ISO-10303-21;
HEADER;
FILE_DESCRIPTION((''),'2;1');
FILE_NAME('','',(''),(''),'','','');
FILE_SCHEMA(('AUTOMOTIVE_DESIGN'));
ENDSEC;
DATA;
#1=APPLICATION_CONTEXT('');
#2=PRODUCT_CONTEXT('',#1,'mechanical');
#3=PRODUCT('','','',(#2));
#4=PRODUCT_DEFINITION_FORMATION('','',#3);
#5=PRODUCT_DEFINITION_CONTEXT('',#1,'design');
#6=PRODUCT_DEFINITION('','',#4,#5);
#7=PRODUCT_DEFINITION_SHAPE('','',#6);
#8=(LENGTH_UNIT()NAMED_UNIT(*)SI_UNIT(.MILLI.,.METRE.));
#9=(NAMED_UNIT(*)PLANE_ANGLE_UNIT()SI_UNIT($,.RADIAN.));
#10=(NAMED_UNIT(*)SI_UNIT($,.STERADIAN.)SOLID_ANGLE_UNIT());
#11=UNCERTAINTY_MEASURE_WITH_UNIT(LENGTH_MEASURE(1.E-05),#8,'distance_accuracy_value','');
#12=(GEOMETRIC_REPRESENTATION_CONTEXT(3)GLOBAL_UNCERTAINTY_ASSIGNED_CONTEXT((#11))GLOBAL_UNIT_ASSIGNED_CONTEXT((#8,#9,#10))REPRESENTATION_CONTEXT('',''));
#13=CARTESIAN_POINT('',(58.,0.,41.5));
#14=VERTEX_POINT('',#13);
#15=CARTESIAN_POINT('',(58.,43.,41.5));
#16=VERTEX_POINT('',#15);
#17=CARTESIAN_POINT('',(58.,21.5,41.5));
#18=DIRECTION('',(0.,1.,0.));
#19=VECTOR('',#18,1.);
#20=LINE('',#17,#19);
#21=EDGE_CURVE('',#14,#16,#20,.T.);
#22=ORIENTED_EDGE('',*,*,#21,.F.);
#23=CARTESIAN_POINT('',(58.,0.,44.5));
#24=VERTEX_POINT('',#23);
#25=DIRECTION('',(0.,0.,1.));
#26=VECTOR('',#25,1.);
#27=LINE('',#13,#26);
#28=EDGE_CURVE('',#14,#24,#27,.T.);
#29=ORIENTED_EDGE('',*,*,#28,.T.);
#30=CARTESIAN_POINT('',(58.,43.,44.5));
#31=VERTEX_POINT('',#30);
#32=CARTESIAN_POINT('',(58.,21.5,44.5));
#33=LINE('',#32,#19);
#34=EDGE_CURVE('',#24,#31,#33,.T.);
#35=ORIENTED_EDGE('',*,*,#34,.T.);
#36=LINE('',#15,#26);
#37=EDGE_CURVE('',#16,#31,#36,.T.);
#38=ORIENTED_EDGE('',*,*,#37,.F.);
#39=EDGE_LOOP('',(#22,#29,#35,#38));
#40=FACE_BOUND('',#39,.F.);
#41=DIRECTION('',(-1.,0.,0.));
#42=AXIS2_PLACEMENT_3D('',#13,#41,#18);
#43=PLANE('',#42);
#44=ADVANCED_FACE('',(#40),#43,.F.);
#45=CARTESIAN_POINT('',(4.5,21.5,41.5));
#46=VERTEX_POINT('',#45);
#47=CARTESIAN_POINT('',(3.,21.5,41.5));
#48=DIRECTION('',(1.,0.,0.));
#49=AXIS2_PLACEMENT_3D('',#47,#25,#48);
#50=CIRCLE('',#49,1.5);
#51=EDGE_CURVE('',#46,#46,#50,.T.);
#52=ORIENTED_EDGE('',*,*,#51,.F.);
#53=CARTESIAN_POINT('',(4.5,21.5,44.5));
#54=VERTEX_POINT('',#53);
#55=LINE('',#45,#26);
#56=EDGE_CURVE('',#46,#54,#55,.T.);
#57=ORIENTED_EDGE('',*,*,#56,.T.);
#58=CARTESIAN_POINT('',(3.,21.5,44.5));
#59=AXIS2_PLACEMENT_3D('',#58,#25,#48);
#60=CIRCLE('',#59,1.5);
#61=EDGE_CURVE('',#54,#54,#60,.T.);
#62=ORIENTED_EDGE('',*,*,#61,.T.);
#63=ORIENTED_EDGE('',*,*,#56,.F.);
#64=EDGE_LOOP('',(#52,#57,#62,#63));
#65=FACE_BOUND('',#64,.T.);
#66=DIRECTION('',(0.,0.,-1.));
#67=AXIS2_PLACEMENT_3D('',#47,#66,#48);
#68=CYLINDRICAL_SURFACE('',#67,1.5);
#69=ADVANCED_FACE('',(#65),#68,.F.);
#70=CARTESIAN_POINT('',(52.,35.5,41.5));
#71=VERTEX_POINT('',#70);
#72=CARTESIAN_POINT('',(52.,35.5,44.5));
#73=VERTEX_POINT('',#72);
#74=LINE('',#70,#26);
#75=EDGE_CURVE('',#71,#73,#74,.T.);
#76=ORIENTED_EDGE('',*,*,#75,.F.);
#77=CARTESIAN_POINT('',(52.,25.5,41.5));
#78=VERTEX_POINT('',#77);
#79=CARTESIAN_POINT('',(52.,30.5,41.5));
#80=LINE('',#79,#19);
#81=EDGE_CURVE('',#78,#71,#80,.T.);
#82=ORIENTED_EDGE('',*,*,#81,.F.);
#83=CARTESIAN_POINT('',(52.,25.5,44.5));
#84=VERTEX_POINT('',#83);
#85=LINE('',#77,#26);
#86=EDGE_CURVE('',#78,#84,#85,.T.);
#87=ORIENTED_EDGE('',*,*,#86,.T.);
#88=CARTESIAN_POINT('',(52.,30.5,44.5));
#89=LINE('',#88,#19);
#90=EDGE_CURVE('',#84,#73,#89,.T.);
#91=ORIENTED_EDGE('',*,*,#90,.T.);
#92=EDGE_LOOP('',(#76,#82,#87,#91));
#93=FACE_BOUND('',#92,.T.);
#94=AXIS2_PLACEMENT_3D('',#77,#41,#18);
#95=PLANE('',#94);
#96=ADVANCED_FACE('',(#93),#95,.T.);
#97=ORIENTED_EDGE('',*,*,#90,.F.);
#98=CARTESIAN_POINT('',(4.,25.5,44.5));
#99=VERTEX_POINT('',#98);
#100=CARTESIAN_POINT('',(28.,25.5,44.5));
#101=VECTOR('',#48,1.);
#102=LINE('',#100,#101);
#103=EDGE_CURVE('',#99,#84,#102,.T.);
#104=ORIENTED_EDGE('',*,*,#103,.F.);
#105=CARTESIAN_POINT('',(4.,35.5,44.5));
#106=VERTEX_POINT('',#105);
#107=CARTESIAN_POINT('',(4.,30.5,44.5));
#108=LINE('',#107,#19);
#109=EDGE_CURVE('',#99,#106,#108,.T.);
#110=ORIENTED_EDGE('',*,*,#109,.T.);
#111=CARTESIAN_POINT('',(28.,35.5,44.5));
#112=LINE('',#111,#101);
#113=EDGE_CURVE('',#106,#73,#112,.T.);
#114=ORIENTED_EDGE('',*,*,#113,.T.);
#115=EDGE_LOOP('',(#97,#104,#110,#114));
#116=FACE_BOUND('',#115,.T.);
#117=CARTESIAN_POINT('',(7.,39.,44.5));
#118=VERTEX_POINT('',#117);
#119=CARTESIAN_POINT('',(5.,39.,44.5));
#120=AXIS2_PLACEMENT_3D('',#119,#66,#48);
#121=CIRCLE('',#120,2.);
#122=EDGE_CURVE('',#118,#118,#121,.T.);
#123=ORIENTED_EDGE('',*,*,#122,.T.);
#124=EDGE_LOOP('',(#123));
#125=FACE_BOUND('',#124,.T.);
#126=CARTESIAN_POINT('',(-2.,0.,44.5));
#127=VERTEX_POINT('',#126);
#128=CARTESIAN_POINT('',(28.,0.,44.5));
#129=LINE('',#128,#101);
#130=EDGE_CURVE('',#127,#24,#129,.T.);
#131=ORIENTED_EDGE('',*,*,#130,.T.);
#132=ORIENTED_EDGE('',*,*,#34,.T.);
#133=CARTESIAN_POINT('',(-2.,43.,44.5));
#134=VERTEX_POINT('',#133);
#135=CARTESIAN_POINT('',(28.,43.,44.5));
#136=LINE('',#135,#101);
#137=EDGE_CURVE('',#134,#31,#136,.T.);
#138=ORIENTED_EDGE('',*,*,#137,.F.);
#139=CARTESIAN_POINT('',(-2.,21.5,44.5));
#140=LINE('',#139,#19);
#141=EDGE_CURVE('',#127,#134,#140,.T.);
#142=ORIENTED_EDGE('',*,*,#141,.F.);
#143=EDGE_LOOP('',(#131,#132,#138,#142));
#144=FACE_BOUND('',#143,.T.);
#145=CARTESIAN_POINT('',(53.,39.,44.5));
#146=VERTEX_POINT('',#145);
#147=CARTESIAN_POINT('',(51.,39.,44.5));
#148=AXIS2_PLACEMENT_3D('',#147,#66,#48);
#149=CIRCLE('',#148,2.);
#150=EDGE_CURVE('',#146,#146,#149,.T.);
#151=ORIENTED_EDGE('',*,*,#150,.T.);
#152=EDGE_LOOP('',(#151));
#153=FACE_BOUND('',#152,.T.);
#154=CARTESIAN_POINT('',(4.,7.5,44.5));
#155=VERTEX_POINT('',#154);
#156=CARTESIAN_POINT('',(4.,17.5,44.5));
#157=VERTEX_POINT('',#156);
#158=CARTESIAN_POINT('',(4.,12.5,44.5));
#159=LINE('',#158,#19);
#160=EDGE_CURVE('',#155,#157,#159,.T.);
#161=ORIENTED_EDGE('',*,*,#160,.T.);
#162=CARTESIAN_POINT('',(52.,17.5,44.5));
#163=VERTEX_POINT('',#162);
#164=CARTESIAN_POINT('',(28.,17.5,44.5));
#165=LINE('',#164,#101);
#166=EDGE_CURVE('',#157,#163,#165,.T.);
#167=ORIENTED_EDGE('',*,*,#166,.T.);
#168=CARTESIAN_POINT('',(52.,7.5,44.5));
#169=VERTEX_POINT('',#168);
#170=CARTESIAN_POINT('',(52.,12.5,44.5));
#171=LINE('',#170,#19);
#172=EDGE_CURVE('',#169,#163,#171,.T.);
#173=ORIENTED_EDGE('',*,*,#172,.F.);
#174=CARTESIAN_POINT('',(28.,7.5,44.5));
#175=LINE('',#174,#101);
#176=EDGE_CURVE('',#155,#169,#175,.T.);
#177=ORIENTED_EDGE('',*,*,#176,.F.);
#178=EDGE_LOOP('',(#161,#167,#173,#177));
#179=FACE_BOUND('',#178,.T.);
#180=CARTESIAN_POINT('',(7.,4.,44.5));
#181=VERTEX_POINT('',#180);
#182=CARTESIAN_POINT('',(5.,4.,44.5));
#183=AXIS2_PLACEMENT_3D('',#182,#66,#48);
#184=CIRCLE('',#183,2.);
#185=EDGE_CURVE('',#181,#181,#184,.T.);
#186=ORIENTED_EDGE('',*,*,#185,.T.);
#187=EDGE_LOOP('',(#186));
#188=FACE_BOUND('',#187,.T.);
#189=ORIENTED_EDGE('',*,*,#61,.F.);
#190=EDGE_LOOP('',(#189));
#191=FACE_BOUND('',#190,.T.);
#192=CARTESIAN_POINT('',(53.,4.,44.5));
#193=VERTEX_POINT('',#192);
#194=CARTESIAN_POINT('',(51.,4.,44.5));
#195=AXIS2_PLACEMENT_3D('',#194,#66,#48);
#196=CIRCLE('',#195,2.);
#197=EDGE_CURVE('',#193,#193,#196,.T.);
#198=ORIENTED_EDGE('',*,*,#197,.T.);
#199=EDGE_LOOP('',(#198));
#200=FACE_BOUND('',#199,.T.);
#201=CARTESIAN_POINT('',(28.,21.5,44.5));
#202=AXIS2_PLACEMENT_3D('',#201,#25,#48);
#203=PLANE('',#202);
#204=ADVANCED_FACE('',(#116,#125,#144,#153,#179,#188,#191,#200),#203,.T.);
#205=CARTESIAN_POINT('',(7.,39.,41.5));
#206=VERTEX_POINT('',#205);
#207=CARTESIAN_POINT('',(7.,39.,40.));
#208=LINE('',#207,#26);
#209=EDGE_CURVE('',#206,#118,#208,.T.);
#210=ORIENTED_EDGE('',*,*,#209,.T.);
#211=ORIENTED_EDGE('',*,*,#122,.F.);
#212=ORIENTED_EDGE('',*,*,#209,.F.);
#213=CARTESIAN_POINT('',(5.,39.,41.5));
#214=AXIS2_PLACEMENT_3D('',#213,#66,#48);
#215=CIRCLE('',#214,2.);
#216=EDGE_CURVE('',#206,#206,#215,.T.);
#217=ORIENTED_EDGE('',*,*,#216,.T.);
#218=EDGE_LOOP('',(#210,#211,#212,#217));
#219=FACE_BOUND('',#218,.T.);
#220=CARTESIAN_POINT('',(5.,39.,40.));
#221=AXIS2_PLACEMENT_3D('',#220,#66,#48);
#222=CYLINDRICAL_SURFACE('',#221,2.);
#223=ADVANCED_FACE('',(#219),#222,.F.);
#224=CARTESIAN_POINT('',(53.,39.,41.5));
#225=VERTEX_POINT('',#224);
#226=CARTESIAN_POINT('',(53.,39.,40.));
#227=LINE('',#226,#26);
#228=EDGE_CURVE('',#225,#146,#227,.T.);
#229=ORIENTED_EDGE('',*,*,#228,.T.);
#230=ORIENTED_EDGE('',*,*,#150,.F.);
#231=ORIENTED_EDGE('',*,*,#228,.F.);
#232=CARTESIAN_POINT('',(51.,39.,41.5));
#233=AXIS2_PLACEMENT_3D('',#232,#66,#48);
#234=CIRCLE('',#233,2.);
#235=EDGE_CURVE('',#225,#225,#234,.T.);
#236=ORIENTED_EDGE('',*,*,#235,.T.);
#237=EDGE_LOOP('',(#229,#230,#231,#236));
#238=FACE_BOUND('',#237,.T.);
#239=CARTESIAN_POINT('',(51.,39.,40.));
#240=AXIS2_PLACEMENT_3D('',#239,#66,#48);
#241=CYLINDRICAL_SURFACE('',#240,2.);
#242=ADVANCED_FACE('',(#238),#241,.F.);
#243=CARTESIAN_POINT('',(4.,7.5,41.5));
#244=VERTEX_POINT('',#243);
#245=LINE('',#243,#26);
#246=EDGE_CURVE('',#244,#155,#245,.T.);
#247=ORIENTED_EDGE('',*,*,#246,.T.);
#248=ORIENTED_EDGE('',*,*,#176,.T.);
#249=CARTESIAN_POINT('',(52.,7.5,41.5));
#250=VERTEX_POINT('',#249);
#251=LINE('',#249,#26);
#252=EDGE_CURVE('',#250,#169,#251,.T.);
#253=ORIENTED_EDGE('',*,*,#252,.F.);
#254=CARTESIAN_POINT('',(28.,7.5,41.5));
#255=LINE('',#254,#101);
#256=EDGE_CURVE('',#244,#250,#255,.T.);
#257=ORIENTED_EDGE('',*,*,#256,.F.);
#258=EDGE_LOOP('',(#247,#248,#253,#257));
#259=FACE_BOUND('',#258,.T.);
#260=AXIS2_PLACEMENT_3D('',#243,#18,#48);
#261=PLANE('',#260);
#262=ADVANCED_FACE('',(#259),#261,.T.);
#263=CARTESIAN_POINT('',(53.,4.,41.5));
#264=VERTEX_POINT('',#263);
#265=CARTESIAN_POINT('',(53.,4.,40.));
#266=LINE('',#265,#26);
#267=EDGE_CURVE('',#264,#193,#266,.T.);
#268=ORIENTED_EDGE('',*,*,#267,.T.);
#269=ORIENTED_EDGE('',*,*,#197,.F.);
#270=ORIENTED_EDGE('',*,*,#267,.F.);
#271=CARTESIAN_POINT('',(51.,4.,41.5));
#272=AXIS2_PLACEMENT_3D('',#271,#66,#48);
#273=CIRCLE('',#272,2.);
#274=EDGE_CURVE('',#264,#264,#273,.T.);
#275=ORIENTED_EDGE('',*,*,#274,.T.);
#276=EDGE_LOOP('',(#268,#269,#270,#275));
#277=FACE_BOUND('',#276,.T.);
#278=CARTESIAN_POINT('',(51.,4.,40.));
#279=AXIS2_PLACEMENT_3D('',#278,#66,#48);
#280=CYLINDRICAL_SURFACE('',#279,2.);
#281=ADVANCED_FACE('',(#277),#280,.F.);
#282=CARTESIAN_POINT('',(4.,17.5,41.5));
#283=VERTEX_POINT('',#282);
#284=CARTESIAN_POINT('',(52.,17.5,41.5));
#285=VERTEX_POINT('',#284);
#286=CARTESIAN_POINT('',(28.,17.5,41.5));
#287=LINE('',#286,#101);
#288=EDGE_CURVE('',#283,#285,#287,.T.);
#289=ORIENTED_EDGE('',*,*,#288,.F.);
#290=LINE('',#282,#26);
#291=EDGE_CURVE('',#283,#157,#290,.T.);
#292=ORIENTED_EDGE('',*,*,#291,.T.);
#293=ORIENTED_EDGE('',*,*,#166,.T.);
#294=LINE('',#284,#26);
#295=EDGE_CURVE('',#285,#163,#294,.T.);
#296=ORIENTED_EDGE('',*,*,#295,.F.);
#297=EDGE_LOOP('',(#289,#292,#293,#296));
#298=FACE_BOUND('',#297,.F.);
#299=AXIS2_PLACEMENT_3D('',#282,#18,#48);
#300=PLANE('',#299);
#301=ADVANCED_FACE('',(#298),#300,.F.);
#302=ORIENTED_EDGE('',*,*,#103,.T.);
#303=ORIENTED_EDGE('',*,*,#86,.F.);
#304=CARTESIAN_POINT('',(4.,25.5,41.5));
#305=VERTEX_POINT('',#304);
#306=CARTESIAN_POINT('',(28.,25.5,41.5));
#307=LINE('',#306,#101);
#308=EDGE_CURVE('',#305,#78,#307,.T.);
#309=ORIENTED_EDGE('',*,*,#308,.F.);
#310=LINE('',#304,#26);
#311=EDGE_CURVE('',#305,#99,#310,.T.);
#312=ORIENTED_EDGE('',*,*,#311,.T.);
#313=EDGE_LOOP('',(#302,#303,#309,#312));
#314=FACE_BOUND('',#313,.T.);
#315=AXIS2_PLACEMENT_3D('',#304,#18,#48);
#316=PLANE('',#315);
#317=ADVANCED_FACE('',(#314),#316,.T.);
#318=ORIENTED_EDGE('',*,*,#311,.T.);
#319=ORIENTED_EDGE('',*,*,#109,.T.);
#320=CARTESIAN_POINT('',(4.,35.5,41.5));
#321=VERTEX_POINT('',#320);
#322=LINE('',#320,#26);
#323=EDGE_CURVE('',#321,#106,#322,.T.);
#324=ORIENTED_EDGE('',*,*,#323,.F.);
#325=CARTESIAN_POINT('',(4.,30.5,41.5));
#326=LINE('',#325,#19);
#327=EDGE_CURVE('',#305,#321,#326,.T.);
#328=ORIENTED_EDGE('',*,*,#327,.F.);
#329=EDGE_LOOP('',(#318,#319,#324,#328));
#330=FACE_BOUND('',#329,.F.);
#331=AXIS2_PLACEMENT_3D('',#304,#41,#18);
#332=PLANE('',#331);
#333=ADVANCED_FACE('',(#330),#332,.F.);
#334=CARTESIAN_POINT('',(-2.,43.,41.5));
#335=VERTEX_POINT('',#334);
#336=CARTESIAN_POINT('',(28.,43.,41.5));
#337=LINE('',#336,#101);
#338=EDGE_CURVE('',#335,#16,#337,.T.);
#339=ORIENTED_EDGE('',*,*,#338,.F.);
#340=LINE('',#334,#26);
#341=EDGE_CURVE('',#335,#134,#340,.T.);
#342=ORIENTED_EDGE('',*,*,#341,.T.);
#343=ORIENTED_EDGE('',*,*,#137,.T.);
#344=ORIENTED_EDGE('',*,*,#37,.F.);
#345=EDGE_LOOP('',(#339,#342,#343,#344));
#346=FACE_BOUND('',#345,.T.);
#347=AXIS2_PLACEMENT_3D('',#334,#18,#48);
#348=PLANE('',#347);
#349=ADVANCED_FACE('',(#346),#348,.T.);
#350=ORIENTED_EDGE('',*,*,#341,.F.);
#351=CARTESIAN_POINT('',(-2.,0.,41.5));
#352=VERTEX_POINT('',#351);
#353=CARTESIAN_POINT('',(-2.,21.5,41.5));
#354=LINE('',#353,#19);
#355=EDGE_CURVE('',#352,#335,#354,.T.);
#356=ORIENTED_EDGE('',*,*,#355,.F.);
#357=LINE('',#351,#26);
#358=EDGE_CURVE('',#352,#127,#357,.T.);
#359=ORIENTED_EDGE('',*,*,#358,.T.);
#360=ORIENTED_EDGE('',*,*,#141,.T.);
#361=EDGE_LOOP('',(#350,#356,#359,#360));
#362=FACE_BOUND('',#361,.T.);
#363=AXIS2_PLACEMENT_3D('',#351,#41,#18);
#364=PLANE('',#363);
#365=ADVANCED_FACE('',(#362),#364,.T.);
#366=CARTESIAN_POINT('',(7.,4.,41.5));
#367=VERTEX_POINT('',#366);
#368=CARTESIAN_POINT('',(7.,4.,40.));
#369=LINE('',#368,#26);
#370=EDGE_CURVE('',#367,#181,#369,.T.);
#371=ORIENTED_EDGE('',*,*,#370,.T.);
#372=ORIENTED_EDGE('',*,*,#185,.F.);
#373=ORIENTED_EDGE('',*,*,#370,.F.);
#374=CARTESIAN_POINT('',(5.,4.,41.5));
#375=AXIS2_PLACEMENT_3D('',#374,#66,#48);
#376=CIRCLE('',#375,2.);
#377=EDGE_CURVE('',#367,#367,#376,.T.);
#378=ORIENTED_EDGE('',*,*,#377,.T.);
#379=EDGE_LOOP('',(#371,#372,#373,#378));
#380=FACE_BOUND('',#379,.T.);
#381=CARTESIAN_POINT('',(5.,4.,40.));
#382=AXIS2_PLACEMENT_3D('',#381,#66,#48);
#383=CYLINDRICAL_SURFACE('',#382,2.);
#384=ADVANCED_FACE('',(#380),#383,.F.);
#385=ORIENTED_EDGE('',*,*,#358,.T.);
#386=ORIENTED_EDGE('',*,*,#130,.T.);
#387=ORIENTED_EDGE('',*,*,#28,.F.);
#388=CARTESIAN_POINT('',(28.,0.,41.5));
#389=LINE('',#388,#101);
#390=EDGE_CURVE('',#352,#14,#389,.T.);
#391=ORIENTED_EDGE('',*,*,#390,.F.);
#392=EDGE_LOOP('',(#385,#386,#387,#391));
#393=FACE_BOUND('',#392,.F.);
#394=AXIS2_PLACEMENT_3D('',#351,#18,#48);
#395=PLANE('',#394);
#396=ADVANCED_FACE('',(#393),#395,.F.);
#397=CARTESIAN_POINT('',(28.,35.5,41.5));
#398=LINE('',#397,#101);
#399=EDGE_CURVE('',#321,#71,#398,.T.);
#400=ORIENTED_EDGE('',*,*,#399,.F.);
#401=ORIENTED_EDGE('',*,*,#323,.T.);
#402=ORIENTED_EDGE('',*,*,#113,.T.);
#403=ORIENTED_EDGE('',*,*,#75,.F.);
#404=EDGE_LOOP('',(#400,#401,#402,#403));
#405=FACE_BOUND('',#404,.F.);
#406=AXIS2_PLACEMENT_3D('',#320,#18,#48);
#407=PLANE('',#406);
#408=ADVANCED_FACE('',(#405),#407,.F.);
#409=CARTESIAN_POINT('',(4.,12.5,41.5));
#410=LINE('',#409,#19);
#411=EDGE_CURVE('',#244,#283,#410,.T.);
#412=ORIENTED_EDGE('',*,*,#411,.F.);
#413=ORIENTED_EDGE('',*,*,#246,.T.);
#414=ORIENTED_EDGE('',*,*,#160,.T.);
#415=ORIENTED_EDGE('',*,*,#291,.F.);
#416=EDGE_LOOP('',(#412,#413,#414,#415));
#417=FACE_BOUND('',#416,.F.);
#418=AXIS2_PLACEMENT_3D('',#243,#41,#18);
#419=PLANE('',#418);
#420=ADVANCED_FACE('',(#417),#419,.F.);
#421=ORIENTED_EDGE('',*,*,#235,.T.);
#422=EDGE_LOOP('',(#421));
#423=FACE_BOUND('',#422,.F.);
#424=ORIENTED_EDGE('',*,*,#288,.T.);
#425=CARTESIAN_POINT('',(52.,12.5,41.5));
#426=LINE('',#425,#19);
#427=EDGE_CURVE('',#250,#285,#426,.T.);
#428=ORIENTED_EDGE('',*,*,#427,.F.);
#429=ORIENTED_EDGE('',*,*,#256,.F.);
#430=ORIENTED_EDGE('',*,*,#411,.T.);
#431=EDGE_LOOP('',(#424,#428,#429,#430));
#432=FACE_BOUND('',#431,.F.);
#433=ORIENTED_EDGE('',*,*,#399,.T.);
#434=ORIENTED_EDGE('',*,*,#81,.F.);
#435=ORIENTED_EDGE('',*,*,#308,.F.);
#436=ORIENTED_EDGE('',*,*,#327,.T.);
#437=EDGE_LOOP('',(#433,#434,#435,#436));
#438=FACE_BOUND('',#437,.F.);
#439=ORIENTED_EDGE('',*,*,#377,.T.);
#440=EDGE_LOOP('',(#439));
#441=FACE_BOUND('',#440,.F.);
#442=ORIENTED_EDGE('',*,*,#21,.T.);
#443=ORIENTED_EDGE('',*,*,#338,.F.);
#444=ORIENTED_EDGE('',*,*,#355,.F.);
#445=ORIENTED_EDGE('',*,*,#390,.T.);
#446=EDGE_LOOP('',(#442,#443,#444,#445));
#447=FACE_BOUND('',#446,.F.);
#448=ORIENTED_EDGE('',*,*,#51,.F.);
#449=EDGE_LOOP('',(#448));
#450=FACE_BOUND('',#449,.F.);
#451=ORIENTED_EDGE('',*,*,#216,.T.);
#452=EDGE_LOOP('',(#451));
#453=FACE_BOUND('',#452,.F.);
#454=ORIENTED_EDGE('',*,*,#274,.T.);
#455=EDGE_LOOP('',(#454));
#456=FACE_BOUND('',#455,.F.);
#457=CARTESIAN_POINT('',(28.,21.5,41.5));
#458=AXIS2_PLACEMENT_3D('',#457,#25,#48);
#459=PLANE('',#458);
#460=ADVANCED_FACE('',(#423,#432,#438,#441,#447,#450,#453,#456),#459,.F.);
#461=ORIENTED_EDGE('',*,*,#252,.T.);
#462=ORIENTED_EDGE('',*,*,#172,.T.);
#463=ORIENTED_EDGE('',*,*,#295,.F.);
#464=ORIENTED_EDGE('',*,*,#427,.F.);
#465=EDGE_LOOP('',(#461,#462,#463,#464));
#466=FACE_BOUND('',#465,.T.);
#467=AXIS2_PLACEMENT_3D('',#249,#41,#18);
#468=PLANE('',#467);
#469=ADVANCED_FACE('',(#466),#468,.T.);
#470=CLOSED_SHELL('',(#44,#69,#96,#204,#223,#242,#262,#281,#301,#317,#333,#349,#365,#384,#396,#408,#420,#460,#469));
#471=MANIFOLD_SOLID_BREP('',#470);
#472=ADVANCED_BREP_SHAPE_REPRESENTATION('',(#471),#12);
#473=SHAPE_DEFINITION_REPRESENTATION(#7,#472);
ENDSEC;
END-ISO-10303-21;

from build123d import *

# Parameters (mm, degrees)
CYLINDER004_R     = 2
CYLINDER004_DEPTH = 10
CYLINDER005_R     = 2
CYLINDER005_DEPTH = 10
CYLINDER006_R     = 2
CYLINDER006_DEPTH = 10
CYLINDER003_R     = 2
CYLINDER003_DEPTH = 10
SKETCH001_W       = 60
SKETCH001_H       = 43
SKETCH001_R       = 1.5
SKETCH001_W_2     = 48
SKETCH001_H_2     = 10
EXTRUDE001_DEPTH  = 3


with BuildPart() as cylinder004:
    # Cylinder004 → Cylinder004 (new body)
    with BuildSketch(Plane(origin=(5, 39, 40), x_dir=(1, 0, 0), z_dir=(0, 0, 1))):
        Circle(CYLINDER004_R)
    extrude(amount=CYLINDER004_DEPTH)


with BuildPart() as cylinder005:
    # Cylinder005 → Cylinder005 (new body)
    with BuildSketch(Plane(origin=(51, 39, 40), x_dir=(1, 0, 0), z_dir=(0, 0, 1))):
        Circle(CYLINDER005_R)
    extrude(amount=CYLINDER005_DEPTH)


with BuildPart() as cylinder006:
    # Cylinder006 → Cylinder006 (new body)
    with BuildSketch(Plane(origin=(51, 4, 40), x_dir=(1, 0, 0), z_dir=(0, 0, 1))):
        Circle(CYLINDER006_R)
    extrude(amount=CYLINDER006_DEPTH)


with BuildPart() as fusion008:
    # Cylinder003 → Cylinder003 (new body)
    with BuildSketch(Plane(origin=(5, 4, 40), x_dir=(1, 0, 0), z_dir=(0, 0, 1))):
        Circle(CYLINDER003_R)
    extrude(amount=CYLINDER003_DEPTH)

    # Fusion008: union Cylinder004, Cylinder005, Cylinder006
    add(cylinder004.part)
    add(cylinder005.part)
    add(cylinder006.part)


with BuildPart() as cut004:
    # Sketch001 → Extrude001 (new body)
    with BuildSketch(Plane.XY):
        with Locations((-30, 21.5)):
            Rectangle(SKETCH001_W, SKETCH001_H)
        with Locations((-55, 21.5)):
            Circle(SKETCH001_R, mode=Mode.SUBTRACT)
        with Locations((-30, 12.5)):
            Rectangle(SKETCH001_W_2, SKETCH001_H_2, mode=Mode.SUBTRACT)
        with Locations((-30, 30.5)):
            Rectangle(SKETCH001_W_2, SKETCH001_H_2, mode=Mode.SUBTRACT)
    extrude(amount=EXTRUDE001_DEPTH)


with BuildPart() as cut004_1:
    # Extrude001 placement: moved
    add(cut004.part.moved(Location((58, 0, 41.5))))

    # Cut004: cut Fusion008
    add(fusion008.part, mode=Mode.SUBTRACT)


solid = cut004_1.part
